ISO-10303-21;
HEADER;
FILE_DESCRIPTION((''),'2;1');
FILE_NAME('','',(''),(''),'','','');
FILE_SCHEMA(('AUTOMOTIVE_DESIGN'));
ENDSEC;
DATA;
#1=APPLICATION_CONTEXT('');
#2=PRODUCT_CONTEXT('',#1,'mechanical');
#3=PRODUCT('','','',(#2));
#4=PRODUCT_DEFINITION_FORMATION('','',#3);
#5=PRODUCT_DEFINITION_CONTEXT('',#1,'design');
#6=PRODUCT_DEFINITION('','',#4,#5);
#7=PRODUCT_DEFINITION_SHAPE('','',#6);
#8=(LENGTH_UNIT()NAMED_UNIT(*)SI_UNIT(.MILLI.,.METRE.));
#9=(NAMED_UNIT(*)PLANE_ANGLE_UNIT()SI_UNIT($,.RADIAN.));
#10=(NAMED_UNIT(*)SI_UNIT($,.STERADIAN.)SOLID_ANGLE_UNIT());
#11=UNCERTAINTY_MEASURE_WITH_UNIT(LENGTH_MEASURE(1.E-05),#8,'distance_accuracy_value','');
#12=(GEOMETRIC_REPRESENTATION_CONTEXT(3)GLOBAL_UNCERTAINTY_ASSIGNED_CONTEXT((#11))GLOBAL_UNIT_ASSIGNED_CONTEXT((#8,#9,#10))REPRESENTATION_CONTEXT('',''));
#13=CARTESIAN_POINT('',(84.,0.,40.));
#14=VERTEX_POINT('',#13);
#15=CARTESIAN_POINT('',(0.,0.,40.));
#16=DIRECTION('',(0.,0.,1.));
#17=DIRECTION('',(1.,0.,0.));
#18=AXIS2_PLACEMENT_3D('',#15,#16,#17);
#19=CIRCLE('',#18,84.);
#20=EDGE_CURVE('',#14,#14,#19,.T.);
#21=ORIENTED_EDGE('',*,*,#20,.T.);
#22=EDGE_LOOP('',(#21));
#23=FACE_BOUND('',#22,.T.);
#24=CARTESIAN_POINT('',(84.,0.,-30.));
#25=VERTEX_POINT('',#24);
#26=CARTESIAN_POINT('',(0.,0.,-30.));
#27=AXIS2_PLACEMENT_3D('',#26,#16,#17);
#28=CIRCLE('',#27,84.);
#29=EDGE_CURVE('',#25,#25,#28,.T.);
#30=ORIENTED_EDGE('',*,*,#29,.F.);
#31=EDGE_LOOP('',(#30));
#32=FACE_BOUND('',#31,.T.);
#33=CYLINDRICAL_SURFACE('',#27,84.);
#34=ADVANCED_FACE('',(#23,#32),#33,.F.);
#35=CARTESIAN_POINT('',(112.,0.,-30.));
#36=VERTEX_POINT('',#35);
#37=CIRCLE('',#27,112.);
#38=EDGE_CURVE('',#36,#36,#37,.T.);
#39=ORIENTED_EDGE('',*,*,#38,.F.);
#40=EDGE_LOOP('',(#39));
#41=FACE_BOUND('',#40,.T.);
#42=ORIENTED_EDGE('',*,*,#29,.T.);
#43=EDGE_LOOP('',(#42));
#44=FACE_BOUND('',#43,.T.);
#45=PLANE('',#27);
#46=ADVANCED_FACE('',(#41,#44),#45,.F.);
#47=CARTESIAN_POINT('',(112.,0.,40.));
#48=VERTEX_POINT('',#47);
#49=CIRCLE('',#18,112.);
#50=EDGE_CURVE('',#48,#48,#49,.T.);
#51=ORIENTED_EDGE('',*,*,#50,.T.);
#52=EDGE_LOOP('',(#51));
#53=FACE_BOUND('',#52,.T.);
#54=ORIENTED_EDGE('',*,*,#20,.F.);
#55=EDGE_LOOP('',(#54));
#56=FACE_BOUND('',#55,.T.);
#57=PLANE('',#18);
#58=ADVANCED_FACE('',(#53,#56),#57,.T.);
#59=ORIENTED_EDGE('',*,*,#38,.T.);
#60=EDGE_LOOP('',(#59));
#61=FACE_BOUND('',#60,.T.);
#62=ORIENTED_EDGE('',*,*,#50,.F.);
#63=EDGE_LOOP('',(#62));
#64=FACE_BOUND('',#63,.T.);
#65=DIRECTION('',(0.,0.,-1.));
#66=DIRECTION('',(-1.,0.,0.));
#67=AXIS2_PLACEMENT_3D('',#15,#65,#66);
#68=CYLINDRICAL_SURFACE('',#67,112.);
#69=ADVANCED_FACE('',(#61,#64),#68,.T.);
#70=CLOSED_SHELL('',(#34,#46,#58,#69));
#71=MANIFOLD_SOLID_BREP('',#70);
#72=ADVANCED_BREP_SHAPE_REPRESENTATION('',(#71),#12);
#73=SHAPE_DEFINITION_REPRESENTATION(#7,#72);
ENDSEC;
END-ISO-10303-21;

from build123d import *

# Parameters (mm, degrees)
CROQUIS3_R              = 16
SALIENTE_EXTRUIR2_DEPTH = 10
CROQUIS4_R              = 12
CORTAR_EXTRUIR1_DEPTH   = 10
ESCALA1_SCALE           = 7


with BuildPart() as part:
    # Croquis3 → Saliente-Extruir2 (new body)
    with BuildSketch(Plane.XY):
        Circle(CROQUIS3_R)
    extrude(amount=SALIENTE_EXTRUIR2_DEPTH)

    # Croquis4 → Cortar-Extruir1 (cut)
    with BuildSketch(Plane.XY.offset(10)):
        Circle(CROQUIS4_R)
    extrude(amount=-CORTAR_EXTRUIR1_DEPTH, mode=Mode.SUBTRACT)


with BuildPart() as part_1:
    # Escala1: scaled about (0, 0, 5)
    add(part.part.scale(ESCALA1_SCALE).moved(Location((0, 0, -30))))


solid = part_1.part
